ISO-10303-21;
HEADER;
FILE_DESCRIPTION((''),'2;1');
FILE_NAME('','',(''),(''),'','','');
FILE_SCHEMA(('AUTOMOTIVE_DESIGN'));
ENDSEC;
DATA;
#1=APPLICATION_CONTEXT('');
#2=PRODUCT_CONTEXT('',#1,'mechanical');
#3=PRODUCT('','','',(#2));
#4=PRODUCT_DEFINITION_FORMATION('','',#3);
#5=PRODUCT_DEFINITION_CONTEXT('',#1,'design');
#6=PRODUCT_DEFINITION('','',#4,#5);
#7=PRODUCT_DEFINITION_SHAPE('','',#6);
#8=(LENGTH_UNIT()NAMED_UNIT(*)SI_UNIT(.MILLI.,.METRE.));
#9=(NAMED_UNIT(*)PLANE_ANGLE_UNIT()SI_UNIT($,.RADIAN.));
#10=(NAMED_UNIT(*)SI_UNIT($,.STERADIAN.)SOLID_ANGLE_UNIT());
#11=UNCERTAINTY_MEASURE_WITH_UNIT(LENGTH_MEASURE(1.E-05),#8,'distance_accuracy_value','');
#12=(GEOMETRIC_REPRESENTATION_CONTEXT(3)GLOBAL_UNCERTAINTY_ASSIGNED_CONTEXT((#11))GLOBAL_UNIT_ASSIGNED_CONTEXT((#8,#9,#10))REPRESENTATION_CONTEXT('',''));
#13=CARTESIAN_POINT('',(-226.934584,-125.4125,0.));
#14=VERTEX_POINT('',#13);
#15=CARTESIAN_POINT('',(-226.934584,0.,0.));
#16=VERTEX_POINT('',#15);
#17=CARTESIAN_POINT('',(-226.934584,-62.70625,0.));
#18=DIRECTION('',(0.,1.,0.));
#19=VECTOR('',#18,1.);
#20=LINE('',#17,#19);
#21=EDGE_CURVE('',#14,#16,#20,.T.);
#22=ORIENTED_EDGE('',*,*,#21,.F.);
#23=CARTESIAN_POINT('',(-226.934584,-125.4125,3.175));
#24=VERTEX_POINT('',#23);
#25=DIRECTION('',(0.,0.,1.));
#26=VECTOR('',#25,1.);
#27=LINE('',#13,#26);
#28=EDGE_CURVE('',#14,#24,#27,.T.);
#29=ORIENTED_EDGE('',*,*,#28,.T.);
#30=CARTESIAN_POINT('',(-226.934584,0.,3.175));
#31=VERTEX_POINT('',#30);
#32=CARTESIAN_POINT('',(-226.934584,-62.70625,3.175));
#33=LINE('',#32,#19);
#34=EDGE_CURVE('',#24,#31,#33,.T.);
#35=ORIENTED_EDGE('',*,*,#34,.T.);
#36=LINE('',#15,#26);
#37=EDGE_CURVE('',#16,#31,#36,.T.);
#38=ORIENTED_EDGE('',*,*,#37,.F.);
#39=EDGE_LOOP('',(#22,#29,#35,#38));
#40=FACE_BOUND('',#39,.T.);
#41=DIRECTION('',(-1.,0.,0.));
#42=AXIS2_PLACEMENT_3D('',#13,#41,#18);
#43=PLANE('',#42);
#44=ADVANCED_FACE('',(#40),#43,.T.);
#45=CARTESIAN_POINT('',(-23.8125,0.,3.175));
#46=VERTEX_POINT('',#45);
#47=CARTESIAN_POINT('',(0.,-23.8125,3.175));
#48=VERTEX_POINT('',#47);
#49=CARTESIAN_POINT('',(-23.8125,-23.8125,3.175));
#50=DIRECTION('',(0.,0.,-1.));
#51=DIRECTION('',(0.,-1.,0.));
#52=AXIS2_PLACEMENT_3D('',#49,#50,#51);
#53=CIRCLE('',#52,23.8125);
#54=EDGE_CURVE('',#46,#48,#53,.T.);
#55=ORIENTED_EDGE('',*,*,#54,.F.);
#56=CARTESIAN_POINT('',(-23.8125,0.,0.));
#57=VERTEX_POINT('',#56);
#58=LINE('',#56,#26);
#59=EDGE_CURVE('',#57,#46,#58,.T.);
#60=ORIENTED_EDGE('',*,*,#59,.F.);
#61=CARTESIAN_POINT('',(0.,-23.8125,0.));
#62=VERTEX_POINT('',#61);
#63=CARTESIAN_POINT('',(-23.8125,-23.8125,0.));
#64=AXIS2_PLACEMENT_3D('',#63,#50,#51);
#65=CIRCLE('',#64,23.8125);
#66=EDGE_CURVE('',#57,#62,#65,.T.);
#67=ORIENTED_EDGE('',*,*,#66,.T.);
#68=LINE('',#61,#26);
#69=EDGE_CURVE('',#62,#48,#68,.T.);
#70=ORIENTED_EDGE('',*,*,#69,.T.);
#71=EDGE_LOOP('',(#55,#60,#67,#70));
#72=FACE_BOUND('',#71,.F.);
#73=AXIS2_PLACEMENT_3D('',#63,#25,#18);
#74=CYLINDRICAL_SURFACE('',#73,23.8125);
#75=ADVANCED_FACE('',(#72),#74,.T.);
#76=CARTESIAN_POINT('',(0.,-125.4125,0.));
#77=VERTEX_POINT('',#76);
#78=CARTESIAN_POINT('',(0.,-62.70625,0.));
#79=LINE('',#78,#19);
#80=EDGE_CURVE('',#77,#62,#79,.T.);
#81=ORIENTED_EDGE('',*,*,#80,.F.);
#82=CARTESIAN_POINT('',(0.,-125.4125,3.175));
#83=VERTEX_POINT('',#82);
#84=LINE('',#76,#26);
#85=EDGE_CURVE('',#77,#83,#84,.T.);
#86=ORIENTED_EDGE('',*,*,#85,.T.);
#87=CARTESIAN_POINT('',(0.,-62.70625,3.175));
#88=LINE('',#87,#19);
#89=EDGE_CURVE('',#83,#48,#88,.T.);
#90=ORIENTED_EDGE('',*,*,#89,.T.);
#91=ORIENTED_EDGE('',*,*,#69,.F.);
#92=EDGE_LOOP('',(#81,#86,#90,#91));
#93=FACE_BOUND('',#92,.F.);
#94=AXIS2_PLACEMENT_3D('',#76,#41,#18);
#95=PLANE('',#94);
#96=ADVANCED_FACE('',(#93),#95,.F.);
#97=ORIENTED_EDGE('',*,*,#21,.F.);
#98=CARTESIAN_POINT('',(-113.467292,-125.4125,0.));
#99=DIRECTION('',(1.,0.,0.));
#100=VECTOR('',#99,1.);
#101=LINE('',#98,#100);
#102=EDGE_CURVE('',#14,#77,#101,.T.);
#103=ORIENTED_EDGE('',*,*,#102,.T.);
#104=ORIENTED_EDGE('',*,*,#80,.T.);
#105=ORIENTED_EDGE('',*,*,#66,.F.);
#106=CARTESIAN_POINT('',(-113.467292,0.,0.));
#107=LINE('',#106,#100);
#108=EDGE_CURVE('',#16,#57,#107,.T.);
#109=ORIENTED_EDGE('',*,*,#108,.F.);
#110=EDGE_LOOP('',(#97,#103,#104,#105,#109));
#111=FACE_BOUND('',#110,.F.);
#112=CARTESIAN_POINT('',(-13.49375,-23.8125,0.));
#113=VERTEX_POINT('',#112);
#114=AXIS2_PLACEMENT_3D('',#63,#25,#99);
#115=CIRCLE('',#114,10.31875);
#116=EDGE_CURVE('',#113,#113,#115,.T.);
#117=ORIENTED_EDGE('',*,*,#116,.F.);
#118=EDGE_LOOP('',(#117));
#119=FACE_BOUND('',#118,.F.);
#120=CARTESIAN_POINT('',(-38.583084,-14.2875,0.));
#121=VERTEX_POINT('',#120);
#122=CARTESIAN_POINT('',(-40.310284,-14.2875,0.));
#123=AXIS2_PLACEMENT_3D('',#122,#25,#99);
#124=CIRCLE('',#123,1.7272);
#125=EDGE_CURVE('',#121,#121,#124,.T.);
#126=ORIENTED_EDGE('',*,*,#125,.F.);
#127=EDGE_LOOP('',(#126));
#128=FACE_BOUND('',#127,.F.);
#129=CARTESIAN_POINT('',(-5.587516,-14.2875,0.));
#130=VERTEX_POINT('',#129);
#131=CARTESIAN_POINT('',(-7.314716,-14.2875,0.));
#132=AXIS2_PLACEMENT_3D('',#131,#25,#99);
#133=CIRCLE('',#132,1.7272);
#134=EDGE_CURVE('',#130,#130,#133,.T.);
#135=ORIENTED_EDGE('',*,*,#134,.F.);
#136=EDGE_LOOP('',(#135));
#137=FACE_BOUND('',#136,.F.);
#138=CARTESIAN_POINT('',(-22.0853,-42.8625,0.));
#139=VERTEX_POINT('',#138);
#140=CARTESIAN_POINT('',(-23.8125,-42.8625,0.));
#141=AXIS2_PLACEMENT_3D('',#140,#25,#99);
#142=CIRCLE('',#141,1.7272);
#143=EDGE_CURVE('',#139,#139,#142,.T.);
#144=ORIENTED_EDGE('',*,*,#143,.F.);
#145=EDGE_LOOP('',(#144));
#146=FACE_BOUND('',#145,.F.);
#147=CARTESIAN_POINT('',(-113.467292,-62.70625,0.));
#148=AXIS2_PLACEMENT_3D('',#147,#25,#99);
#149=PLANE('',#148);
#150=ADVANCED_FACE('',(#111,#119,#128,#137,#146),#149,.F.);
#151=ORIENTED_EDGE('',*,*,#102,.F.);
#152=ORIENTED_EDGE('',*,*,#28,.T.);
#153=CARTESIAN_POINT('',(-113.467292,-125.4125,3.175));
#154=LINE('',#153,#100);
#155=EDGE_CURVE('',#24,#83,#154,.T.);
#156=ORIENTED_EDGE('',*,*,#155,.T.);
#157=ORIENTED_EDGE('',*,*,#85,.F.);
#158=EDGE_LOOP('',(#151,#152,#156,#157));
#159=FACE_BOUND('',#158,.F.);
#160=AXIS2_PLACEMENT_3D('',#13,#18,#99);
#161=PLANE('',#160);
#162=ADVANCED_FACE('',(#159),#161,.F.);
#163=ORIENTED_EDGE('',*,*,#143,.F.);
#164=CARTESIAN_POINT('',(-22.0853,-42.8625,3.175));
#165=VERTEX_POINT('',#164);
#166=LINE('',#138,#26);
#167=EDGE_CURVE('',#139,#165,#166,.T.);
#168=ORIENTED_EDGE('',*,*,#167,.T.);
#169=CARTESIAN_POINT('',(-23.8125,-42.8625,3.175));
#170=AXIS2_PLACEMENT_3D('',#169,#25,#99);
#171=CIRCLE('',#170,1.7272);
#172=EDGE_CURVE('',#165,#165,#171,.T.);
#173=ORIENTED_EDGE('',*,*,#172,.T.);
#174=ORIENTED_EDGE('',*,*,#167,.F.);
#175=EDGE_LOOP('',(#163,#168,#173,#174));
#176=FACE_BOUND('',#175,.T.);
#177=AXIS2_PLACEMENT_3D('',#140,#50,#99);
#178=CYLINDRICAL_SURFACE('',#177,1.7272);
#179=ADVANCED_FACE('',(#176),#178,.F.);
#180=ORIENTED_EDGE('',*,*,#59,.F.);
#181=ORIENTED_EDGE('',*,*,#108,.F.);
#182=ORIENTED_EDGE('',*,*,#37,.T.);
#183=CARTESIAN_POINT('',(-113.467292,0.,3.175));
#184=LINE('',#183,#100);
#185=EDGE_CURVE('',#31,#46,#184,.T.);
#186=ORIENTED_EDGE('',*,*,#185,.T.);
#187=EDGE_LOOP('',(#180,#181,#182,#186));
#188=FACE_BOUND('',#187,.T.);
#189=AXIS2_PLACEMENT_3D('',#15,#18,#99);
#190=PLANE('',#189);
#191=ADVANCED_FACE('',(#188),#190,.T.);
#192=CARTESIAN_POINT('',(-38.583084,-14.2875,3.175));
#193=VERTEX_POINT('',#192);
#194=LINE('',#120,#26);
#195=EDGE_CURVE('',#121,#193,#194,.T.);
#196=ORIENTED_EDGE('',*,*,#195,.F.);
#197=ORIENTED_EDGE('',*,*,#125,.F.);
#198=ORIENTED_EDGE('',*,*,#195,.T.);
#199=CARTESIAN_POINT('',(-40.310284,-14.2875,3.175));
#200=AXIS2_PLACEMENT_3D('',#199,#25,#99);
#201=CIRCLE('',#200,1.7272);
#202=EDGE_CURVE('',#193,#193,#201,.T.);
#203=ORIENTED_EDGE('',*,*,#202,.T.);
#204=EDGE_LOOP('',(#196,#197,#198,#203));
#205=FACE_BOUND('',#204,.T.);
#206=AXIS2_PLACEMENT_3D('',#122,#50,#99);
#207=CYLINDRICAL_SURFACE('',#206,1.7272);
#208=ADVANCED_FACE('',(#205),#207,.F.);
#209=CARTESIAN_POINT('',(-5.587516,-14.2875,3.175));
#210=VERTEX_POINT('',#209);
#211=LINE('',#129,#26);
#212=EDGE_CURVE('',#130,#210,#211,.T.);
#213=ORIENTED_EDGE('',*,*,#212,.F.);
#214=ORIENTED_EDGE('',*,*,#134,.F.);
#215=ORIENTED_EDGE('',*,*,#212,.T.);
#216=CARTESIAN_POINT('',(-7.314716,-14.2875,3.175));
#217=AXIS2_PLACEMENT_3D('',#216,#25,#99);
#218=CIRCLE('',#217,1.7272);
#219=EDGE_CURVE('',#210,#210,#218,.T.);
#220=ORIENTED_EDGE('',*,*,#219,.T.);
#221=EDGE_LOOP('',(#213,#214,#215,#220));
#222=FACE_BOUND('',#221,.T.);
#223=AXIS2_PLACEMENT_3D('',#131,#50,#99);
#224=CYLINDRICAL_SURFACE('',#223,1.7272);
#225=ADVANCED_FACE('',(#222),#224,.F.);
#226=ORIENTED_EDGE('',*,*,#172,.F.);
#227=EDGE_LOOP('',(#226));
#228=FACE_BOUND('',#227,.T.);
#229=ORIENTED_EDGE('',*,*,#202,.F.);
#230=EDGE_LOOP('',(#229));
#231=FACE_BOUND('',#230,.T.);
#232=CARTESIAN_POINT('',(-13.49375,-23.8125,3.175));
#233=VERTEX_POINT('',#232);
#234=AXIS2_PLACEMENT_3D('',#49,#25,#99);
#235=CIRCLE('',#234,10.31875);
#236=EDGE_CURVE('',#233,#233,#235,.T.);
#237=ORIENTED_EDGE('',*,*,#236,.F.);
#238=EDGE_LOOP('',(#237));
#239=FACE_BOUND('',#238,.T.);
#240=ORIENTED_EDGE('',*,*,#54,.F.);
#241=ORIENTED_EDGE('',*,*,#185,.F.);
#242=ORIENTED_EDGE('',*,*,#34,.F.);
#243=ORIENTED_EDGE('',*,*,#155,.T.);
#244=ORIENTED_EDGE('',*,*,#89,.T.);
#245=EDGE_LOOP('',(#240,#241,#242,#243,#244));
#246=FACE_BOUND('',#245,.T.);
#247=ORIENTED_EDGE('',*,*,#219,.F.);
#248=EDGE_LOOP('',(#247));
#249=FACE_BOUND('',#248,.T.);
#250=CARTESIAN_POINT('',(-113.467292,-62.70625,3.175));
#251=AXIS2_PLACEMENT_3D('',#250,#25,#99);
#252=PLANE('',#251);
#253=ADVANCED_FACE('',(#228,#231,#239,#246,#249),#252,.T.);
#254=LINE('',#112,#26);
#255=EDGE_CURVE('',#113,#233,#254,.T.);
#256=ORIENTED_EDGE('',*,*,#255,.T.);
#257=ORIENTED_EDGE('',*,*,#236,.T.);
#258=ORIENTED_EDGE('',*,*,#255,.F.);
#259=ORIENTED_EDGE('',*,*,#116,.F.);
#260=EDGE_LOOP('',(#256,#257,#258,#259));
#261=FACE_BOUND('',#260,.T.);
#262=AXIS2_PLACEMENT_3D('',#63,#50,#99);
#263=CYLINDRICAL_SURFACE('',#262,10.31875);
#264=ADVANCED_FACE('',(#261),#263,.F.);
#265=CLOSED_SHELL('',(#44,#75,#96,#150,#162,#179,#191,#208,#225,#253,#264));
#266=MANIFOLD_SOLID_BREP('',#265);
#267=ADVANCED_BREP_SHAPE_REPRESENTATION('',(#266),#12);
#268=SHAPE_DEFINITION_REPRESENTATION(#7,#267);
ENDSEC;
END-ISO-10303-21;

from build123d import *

# Parameters (mm, degrees)
F0_W     = 226.934583
F0_H     = 125.4125
F0_R     = 1.7272
F0_R_2   = 10.31875
F1_DEPTH = 3.175
F2_R     = 23.8125


with BuildPart() as f1:
    # F0 (on Top) → F1 (new body)
    with BuildSketch(Plane.XY):
        with Locations((-113.467292, -62.70625)):
            Rectangle(F0_W, F0_H)
        with Locations((-23.8125, -42.8625)):
            Circle(F0_R, mode=Mode.SUBTRACT)
        with Locations((-23.8125, -23.8125)):
            Circle(F0_R_2, mode=Mode.SUBTRACT)
        with Locations((-40.310284, -14.2875)):
            Circle(F0_R, mode=Mode.SUBTRACT)
        with Locations((-7.314716, -14.2875)):
            Circle(F0_R, mode=Mode.SUBTRACT)
    extrude(amount=F1_DEPTH)

    # F2
    f2_edges = [f1.edges().sort_by_distance(p)[0] for p in [
        (0, 0, 1.5875),
    ]]
    fillet(f2_edges, radius=F2_R)


solid = f1.part
